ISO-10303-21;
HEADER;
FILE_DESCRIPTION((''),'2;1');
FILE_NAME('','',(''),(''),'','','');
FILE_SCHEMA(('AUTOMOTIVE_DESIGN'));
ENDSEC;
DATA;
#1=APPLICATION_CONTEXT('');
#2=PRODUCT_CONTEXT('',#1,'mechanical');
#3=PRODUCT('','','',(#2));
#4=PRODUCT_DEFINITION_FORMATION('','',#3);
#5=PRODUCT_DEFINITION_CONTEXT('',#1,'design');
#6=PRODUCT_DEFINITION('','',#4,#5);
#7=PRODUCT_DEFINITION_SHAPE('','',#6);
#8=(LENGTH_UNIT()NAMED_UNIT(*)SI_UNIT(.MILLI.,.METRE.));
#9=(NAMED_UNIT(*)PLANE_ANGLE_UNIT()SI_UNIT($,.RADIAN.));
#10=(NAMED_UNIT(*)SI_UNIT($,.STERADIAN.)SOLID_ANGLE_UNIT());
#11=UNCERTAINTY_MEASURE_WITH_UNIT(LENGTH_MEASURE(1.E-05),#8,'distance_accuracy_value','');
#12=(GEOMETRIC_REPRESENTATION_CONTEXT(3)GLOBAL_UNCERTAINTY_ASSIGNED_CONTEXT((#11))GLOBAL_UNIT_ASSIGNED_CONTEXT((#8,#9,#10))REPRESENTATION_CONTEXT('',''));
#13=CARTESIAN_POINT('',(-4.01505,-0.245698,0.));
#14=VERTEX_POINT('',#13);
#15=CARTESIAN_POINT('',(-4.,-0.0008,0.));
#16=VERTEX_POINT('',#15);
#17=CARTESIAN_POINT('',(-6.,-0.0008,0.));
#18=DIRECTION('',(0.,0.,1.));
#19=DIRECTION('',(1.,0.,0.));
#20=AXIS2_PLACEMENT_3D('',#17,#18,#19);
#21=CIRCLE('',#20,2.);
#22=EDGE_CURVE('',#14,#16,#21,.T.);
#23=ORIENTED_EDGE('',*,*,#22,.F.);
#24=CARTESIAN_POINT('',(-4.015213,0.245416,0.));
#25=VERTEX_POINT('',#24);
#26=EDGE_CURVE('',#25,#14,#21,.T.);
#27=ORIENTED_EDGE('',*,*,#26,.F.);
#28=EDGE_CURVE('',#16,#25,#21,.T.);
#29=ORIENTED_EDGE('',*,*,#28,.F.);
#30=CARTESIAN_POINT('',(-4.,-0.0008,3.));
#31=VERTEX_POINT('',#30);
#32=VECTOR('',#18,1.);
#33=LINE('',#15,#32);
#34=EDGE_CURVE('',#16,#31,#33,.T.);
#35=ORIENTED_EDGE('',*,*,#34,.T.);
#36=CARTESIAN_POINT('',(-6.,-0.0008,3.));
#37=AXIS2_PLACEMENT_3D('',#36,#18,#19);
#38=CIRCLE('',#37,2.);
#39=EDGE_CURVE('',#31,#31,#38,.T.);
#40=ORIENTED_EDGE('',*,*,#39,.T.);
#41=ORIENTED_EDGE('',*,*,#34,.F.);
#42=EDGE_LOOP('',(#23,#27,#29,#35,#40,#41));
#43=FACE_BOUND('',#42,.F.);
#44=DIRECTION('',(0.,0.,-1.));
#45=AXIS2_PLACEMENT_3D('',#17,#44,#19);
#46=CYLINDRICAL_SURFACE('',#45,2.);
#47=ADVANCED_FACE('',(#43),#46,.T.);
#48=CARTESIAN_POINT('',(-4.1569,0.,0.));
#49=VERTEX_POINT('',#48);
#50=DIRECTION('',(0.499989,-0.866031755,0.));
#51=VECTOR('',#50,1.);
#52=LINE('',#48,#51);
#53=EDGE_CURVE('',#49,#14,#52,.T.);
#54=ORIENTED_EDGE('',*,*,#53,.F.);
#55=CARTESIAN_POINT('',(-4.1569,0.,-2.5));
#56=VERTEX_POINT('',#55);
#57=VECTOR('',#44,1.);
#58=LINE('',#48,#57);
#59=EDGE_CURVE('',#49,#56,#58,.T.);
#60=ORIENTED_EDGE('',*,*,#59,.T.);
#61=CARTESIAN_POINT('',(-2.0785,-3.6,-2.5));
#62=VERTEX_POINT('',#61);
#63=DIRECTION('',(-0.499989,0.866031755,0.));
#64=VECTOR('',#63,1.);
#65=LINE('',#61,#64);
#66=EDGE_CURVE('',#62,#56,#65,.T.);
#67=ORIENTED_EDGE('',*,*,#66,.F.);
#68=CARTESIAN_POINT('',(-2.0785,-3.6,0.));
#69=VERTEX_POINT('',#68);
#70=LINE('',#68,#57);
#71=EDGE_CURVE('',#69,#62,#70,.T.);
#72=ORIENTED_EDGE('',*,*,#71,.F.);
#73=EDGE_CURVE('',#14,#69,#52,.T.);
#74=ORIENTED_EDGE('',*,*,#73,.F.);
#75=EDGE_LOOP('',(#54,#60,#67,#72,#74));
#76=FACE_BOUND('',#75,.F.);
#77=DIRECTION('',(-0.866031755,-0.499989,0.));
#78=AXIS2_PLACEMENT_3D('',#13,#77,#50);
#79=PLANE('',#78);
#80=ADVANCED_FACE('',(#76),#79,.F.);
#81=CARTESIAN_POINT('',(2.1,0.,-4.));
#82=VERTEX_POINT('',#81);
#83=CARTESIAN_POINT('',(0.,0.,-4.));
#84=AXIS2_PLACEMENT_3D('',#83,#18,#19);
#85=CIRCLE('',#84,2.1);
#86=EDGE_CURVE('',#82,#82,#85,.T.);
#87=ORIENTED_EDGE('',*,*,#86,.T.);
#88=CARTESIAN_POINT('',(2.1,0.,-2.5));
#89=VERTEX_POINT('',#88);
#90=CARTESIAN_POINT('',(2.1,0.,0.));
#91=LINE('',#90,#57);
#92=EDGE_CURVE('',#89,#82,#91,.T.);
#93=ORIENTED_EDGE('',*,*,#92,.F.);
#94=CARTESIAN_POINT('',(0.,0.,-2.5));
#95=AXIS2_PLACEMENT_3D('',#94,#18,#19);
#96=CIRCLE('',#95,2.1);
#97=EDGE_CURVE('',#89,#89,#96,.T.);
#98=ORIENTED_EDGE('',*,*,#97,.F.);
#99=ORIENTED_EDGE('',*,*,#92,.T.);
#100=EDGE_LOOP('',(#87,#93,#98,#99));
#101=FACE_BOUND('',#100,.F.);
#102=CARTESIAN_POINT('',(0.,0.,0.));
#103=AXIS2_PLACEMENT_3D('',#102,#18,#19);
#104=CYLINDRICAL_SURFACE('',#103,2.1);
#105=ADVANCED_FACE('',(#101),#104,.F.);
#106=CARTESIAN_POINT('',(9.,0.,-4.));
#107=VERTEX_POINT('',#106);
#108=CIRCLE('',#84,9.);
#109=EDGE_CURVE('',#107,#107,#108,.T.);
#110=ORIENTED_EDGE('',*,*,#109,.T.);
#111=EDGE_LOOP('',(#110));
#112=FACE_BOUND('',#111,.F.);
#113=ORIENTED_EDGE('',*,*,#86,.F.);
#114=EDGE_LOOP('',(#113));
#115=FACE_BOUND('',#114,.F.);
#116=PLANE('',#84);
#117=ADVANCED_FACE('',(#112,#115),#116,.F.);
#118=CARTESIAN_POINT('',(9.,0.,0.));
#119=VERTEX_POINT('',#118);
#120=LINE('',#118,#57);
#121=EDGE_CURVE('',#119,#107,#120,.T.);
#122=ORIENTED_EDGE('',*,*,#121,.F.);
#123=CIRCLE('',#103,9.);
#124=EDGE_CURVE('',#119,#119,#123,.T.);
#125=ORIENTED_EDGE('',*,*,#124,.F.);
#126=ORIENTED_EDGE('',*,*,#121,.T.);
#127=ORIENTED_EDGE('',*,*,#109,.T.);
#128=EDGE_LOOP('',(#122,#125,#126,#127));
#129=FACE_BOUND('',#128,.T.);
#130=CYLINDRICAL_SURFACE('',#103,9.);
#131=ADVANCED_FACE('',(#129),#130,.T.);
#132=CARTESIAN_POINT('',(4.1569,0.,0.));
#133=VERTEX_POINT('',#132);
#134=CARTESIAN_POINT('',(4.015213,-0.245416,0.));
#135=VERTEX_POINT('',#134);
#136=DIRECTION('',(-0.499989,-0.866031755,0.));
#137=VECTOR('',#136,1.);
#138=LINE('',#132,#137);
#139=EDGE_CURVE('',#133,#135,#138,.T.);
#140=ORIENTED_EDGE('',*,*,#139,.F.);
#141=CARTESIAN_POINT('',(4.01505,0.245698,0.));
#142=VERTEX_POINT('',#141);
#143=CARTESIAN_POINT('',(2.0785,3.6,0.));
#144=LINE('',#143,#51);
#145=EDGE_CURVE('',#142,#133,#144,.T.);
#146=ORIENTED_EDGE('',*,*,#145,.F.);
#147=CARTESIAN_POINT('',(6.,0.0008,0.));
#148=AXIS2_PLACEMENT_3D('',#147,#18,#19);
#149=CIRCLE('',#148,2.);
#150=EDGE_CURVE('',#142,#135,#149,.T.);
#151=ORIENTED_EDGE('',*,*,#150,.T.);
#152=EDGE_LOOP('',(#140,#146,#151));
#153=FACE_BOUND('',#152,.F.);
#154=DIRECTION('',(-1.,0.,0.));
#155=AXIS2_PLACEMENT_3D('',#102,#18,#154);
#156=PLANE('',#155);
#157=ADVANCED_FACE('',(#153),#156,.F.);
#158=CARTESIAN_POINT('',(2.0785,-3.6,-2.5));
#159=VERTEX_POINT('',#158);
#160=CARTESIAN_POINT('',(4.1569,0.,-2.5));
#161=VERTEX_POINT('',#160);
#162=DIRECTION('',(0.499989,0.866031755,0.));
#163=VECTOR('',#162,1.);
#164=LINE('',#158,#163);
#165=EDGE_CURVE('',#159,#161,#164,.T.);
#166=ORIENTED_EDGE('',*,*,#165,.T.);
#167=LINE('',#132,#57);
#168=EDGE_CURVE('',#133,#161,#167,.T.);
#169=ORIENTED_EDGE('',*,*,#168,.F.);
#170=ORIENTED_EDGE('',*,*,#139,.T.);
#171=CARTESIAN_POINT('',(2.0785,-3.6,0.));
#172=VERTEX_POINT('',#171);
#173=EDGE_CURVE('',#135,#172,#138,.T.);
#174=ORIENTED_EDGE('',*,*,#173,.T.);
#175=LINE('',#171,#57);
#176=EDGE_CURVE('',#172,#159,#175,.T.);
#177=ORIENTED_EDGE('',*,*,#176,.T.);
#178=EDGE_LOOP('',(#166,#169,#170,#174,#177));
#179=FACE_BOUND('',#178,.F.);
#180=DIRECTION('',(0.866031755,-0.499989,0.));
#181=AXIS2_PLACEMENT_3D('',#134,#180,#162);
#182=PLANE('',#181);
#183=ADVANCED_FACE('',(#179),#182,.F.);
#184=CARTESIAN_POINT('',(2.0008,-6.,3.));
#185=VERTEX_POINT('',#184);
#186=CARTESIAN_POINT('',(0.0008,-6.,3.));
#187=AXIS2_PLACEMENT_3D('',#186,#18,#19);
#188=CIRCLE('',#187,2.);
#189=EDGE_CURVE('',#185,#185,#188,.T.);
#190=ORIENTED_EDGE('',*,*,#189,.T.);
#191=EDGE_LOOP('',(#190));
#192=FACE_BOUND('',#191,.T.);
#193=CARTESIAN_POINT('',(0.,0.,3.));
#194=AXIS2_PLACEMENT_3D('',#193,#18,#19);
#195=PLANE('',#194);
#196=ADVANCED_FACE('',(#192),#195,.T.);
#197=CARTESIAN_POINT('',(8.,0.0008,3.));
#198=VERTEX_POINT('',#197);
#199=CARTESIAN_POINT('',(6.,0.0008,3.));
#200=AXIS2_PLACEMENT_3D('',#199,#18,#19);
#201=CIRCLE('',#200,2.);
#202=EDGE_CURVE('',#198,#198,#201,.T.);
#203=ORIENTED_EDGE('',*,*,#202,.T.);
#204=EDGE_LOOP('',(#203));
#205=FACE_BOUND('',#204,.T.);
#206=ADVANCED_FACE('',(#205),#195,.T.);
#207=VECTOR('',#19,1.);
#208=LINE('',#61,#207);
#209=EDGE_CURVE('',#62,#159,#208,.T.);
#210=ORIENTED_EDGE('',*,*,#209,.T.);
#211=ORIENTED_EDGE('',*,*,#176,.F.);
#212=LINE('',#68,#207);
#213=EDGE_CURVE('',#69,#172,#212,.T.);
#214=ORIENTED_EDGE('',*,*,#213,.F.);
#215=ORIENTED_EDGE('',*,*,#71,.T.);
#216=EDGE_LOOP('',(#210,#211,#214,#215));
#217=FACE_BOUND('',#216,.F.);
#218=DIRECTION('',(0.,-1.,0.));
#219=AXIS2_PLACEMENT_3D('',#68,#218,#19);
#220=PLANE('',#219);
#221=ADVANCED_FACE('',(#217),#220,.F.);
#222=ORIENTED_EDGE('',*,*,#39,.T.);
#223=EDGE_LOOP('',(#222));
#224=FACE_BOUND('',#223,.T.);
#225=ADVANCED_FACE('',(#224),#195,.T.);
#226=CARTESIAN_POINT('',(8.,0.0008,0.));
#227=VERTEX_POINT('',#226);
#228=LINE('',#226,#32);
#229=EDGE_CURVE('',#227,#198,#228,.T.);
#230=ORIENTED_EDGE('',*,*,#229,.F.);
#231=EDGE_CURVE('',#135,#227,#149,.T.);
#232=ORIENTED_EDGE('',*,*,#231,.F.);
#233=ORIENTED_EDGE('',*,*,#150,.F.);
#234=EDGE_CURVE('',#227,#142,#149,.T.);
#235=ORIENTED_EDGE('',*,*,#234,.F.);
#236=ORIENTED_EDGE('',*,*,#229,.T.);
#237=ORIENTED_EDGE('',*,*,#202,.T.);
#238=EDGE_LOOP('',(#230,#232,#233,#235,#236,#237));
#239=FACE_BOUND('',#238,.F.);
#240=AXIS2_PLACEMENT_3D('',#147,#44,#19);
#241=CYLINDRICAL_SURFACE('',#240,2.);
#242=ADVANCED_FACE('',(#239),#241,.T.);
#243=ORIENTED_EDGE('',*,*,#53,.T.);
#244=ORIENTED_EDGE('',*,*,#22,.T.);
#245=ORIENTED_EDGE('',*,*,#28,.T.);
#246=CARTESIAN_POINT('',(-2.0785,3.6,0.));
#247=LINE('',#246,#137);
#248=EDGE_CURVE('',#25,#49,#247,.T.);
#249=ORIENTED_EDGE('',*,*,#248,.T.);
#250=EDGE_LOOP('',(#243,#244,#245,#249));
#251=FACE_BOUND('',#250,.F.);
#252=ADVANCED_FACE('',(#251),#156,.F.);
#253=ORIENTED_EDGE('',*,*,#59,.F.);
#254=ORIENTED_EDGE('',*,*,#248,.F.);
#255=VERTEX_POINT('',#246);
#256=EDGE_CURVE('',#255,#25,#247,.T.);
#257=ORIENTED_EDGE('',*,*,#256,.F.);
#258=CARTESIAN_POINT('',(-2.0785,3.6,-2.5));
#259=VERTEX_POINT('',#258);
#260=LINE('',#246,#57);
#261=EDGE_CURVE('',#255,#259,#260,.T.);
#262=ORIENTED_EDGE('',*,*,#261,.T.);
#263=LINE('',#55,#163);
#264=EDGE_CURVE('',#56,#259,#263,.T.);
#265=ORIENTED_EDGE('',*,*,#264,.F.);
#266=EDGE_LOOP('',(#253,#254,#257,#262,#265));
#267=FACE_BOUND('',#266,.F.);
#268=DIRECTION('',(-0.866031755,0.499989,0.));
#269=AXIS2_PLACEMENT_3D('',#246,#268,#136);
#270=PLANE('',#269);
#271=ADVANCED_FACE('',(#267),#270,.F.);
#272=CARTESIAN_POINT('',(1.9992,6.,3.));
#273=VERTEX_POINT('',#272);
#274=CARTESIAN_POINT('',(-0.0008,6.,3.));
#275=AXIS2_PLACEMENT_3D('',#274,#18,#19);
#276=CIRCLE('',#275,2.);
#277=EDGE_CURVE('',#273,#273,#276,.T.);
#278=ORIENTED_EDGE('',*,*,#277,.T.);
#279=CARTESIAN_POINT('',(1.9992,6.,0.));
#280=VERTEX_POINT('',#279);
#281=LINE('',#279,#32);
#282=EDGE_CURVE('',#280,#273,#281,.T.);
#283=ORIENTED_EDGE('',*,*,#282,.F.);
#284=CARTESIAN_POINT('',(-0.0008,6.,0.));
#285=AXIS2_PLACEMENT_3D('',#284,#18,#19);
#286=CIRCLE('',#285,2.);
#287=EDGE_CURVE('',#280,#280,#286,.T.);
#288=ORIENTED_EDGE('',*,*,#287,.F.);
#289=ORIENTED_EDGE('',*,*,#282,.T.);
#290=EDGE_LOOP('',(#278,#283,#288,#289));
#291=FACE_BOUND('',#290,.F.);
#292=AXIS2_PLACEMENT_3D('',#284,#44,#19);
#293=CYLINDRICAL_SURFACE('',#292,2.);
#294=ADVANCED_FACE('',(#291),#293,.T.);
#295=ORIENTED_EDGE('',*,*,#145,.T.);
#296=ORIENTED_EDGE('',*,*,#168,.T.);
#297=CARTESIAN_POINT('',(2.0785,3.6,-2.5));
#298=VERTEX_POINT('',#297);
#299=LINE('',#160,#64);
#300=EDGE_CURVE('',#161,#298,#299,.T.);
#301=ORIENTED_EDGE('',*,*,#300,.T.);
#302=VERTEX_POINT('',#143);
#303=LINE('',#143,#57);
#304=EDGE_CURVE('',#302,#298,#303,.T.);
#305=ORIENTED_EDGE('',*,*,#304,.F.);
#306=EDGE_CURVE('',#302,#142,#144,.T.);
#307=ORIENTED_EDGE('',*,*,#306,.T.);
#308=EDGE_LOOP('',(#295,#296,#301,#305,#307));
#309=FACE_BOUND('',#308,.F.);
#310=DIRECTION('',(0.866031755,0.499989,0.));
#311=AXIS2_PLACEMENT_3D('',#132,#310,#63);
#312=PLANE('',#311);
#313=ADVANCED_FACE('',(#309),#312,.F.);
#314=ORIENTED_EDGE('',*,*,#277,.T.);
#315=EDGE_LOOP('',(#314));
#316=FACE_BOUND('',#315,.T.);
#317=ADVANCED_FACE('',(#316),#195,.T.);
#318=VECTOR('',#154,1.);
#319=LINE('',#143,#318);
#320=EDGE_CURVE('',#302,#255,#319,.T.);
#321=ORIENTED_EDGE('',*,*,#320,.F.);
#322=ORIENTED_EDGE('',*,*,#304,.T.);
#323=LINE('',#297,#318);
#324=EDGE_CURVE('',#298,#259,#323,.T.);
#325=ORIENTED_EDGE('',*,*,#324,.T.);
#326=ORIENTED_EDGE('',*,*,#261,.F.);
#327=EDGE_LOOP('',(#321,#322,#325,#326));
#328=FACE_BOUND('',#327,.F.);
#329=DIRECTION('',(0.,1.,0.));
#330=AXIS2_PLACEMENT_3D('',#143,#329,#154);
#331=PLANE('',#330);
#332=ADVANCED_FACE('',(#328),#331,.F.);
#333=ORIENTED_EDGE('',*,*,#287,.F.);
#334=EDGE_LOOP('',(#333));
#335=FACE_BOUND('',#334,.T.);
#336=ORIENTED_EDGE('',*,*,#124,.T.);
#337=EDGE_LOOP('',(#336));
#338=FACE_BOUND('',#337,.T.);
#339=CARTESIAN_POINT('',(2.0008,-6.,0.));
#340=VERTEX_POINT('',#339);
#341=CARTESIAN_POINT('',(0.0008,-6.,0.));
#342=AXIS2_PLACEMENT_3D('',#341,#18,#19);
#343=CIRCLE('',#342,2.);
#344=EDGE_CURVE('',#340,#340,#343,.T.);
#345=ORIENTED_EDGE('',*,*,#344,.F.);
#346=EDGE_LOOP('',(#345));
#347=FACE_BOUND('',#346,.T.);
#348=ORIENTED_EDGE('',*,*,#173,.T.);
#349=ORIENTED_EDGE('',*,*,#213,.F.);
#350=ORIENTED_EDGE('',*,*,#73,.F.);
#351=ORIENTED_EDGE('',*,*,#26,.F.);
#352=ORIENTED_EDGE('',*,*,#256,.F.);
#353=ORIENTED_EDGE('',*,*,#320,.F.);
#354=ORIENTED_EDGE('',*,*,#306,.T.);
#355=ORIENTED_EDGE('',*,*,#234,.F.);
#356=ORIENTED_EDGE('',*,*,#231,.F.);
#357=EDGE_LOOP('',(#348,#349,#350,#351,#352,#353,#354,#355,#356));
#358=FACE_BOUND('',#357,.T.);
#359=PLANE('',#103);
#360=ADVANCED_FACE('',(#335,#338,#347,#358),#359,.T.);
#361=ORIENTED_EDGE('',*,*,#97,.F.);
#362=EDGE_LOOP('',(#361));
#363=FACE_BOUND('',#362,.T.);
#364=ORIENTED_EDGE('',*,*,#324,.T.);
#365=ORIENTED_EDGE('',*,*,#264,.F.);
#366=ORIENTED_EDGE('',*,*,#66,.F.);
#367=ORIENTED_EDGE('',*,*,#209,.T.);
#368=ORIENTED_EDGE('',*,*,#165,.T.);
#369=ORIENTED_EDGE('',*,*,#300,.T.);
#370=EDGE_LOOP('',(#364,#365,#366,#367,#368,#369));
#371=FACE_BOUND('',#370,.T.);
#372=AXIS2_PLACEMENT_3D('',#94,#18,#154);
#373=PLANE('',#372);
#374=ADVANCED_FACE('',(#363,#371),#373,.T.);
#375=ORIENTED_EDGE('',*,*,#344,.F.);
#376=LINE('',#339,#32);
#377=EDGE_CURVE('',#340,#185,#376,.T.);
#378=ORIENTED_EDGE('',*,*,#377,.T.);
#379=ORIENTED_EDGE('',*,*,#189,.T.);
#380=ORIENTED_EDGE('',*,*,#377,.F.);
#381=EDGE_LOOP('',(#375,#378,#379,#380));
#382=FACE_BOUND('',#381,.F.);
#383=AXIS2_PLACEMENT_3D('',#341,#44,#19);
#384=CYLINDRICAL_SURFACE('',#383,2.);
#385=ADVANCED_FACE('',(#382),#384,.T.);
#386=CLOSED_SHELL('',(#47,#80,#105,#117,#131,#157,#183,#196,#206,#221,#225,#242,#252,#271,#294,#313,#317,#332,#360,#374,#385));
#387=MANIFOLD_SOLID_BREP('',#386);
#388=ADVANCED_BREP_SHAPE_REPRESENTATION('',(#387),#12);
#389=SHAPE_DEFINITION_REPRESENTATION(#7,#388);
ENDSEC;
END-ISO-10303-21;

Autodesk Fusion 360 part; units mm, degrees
sketch "Sketch1" plane through (0, 0, 0) normal (0, 0, 1) x (1, 0, 0)
  circle A0 centre (0, 0) radius 9
  circle A1 centre (0, 0) radius 6 construction
  circle A2 centre (-0.0008, 6) radius 2
  circle A3 centre (-6, -0.0008) radius 2
  circle A4 centre (0.0008, -6) radius 2
  circle A5 centre (6, 0.0008) radius 2
  circle A6 centre (0, 0) radius 2.1
  dimension "d1" = 18
  dimension "d2" = 12
  dimension "d3" = 4
  dimension "d5" = 360
  dimension "d25" = 4.2
extrude "Extrude1" add sketch "Sketch1" against normal blind 4 contours A0 | A2 | A3 | A4 | A5
extrude "Extrude2" add sketch "Sketch1" along normal blind 3 contours A2 | A3 | A4 | A5
sketch "Sketch7" plane through (0, 0, 0) normal (0, 0, 1) x (-1, 0, 0)
  circle A0 centre (-6, -0.0008) radius 2
  circle A1 centre (6, 0.0008) radius 2
  circle A2 centre (0.0008, -6) radius 2
  circle A3 centre (-0.0008, 6) radius 2
  circle A4 centre (0, 0) radius 2.1
  circle A5 centre (0, 0) radius 9
  line L0 (-4.1569, 0) -> (-2.0785, -3.6)
  line L1 (-2.0785, -3.6) -> (2.0785, -3.6)
  line L2 (2.0785, -3.6) -> (4.1569, 0)
  line L3 (4.1569, 0) -> (2.0785, 3.6)
  line L4 (2.0785, 3.6) -> (-2.0785, 3.6)
  line L5 (-2.0785, 3.6) -> (-4.1569, 0)
  dimension "d26" = 7.2
extrude "Extrude8" cut sketch "Sketch7" against normal blind 2.5 contours A0 L0 L5 | A0 A1 L0 L1 L2 L3 L4 L5 | A1 L2 L3 picked at (-4.0529, 0.0269) picked at (4.0534, 0.0001)
